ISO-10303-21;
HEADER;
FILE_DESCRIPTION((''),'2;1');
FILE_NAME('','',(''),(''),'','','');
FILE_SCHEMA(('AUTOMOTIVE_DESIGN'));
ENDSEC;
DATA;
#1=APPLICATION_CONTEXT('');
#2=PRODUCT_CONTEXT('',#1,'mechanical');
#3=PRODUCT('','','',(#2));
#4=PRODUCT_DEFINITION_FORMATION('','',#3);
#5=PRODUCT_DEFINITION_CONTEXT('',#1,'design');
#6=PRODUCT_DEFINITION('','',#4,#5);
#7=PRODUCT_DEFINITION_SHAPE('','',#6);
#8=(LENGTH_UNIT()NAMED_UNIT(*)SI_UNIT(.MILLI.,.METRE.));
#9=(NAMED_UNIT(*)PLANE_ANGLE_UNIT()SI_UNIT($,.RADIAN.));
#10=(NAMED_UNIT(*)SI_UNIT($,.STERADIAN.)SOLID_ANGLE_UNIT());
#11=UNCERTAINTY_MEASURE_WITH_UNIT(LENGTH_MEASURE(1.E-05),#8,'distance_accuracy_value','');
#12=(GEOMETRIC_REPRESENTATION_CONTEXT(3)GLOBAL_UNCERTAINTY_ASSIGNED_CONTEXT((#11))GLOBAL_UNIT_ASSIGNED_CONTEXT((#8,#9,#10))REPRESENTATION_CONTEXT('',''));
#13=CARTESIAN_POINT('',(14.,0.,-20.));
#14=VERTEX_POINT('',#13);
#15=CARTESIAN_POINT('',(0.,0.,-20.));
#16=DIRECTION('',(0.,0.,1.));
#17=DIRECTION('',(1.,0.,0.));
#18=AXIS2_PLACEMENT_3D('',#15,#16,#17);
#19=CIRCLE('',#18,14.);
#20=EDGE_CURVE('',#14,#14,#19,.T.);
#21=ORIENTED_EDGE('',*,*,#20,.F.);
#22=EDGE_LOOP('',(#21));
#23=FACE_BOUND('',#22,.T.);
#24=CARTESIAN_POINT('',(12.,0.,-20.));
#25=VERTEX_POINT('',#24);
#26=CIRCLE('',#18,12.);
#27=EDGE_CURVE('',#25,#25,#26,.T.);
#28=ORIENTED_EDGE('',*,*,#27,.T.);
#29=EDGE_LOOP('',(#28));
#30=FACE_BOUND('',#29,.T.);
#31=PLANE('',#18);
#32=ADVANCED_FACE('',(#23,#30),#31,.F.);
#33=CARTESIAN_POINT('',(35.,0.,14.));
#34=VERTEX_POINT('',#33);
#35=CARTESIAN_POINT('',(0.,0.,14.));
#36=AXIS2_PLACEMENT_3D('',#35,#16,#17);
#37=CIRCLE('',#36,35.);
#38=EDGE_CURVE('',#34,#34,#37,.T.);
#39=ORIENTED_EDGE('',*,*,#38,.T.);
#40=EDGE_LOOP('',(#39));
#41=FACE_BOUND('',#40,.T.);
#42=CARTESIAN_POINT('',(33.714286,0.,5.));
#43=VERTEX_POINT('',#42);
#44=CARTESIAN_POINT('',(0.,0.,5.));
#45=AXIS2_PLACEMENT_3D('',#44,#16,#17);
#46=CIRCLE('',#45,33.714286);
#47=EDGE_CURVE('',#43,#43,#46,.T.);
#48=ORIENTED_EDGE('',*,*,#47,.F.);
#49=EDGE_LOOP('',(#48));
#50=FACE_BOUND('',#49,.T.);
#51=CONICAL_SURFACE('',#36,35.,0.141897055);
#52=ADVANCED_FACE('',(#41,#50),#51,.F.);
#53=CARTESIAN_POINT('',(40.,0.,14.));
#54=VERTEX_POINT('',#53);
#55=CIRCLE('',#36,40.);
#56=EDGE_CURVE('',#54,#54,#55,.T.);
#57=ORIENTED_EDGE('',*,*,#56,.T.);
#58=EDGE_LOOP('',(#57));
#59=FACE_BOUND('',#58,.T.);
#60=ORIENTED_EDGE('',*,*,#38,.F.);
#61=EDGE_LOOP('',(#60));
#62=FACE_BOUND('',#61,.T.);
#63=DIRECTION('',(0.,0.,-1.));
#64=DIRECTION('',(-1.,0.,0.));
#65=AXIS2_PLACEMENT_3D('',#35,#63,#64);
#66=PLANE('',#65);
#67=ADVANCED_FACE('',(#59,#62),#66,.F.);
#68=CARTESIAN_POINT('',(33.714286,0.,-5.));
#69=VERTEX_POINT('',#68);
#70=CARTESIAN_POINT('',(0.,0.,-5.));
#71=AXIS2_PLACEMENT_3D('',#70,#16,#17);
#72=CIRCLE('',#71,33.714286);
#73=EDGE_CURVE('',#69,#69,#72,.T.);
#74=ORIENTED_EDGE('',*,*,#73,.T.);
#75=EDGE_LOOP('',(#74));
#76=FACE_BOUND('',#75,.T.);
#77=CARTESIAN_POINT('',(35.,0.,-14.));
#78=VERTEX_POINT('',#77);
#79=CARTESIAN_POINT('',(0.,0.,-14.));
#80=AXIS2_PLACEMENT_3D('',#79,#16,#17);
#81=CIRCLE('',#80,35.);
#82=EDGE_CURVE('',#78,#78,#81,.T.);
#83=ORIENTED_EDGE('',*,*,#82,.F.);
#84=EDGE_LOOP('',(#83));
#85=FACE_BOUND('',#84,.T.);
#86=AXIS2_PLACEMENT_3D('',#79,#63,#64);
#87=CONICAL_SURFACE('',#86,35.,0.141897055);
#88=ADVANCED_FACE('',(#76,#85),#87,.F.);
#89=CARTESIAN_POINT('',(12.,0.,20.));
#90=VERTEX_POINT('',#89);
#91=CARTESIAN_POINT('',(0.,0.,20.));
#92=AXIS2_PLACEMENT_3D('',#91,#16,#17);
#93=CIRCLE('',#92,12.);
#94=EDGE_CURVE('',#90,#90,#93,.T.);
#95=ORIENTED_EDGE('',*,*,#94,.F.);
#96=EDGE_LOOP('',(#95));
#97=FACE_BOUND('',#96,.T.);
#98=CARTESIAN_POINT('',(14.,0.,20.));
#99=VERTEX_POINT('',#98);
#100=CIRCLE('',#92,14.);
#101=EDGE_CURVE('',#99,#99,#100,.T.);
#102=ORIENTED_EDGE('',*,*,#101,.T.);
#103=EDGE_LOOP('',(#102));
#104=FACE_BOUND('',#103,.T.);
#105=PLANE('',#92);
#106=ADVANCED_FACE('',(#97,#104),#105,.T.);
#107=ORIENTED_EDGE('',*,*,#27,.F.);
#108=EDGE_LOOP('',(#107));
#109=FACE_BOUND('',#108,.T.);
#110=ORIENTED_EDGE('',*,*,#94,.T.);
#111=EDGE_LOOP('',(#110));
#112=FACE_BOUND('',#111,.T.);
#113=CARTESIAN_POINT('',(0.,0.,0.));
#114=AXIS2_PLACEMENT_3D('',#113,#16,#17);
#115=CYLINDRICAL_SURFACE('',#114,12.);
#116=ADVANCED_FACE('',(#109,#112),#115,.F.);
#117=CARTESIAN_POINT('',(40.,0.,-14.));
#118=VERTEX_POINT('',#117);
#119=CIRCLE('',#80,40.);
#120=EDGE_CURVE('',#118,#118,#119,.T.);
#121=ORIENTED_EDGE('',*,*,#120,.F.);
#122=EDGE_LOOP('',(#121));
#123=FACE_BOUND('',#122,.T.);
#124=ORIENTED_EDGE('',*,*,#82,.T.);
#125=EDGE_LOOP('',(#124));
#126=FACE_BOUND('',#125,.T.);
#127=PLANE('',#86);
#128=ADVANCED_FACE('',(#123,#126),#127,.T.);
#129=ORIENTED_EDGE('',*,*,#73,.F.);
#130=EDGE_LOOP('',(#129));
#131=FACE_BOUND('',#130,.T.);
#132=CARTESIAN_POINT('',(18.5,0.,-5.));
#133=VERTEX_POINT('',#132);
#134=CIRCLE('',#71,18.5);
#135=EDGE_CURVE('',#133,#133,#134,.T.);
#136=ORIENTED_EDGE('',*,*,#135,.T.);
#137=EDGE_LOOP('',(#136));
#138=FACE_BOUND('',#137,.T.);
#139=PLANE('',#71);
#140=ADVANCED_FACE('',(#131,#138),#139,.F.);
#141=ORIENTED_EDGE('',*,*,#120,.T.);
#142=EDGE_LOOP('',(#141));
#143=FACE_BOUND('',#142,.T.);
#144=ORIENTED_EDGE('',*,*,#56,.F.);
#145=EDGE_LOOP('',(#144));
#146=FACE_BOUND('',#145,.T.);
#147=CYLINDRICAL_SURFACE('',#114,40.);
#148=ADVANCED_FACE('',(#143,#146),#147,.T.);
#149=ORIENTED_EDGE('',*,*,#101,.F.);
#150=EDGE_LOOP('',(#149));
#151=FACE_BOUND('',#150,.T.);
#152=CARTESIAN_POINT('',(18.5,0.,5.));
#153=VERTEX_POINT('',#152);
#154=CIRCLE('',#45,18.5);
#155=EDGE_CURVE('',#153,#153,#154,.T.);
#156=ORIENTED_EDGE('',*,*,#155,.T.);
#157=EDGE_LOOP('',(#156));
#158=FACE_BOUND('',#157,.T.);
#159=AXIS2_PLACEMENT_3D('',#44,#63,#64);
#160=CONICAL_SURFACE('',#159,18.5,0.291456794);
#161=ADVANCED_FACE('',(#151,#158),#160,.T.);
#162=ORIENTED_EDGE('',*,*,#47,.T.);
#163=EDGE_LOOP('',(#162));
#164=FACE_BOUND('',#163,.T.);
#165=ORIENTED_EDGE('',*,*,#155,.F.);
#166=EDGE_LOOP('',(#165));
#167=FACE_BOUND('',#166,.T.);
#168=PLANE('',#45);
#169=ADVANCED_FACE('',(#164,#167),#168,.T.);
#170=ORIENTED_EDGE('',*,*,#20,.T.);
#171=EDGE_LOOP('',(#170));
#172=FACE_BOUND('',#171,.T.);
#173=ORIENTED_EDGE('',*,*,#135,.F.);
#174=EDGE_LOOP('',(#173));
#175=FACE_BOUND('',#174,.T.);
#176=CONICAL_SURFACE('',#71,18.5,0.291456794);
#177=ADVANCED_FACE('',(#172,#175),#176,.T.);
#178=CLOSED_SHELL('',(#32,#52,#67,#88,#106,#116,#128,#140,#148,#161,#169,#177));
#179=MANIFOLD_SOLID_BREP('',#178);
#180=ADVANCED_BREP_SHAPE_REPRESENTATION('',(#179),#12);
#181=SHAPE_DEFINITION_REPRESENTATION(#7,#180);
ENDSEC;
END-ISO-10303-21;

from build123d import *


with BuildPart() as part:
    # Sketch1 → Revolve1 (revolve)
    with BuildSketch(Plane(origin=(0, 0, 0), x_dir=(0, 0, -1), z_dir=(1, 0, 0)), mode=Mode.PRIVATE) as revolve1_sk:
        Polygon((-20, 12), (20, 12), (20, 14), (5, 18.5), (5, 33.714285714), (14, 35), (14, 40), (-14, 40), (-14, 35), (-5, 33.714285714), (-5, 18.5), (-20, 14), align=None)
    revolve(revolve1_sk.sketch.rotate(Axis((0, 0, 0), (0, 0, -1)), 90), axis=Axis((0, 0, 0), (0, 0, -1)))


solid = part.part
